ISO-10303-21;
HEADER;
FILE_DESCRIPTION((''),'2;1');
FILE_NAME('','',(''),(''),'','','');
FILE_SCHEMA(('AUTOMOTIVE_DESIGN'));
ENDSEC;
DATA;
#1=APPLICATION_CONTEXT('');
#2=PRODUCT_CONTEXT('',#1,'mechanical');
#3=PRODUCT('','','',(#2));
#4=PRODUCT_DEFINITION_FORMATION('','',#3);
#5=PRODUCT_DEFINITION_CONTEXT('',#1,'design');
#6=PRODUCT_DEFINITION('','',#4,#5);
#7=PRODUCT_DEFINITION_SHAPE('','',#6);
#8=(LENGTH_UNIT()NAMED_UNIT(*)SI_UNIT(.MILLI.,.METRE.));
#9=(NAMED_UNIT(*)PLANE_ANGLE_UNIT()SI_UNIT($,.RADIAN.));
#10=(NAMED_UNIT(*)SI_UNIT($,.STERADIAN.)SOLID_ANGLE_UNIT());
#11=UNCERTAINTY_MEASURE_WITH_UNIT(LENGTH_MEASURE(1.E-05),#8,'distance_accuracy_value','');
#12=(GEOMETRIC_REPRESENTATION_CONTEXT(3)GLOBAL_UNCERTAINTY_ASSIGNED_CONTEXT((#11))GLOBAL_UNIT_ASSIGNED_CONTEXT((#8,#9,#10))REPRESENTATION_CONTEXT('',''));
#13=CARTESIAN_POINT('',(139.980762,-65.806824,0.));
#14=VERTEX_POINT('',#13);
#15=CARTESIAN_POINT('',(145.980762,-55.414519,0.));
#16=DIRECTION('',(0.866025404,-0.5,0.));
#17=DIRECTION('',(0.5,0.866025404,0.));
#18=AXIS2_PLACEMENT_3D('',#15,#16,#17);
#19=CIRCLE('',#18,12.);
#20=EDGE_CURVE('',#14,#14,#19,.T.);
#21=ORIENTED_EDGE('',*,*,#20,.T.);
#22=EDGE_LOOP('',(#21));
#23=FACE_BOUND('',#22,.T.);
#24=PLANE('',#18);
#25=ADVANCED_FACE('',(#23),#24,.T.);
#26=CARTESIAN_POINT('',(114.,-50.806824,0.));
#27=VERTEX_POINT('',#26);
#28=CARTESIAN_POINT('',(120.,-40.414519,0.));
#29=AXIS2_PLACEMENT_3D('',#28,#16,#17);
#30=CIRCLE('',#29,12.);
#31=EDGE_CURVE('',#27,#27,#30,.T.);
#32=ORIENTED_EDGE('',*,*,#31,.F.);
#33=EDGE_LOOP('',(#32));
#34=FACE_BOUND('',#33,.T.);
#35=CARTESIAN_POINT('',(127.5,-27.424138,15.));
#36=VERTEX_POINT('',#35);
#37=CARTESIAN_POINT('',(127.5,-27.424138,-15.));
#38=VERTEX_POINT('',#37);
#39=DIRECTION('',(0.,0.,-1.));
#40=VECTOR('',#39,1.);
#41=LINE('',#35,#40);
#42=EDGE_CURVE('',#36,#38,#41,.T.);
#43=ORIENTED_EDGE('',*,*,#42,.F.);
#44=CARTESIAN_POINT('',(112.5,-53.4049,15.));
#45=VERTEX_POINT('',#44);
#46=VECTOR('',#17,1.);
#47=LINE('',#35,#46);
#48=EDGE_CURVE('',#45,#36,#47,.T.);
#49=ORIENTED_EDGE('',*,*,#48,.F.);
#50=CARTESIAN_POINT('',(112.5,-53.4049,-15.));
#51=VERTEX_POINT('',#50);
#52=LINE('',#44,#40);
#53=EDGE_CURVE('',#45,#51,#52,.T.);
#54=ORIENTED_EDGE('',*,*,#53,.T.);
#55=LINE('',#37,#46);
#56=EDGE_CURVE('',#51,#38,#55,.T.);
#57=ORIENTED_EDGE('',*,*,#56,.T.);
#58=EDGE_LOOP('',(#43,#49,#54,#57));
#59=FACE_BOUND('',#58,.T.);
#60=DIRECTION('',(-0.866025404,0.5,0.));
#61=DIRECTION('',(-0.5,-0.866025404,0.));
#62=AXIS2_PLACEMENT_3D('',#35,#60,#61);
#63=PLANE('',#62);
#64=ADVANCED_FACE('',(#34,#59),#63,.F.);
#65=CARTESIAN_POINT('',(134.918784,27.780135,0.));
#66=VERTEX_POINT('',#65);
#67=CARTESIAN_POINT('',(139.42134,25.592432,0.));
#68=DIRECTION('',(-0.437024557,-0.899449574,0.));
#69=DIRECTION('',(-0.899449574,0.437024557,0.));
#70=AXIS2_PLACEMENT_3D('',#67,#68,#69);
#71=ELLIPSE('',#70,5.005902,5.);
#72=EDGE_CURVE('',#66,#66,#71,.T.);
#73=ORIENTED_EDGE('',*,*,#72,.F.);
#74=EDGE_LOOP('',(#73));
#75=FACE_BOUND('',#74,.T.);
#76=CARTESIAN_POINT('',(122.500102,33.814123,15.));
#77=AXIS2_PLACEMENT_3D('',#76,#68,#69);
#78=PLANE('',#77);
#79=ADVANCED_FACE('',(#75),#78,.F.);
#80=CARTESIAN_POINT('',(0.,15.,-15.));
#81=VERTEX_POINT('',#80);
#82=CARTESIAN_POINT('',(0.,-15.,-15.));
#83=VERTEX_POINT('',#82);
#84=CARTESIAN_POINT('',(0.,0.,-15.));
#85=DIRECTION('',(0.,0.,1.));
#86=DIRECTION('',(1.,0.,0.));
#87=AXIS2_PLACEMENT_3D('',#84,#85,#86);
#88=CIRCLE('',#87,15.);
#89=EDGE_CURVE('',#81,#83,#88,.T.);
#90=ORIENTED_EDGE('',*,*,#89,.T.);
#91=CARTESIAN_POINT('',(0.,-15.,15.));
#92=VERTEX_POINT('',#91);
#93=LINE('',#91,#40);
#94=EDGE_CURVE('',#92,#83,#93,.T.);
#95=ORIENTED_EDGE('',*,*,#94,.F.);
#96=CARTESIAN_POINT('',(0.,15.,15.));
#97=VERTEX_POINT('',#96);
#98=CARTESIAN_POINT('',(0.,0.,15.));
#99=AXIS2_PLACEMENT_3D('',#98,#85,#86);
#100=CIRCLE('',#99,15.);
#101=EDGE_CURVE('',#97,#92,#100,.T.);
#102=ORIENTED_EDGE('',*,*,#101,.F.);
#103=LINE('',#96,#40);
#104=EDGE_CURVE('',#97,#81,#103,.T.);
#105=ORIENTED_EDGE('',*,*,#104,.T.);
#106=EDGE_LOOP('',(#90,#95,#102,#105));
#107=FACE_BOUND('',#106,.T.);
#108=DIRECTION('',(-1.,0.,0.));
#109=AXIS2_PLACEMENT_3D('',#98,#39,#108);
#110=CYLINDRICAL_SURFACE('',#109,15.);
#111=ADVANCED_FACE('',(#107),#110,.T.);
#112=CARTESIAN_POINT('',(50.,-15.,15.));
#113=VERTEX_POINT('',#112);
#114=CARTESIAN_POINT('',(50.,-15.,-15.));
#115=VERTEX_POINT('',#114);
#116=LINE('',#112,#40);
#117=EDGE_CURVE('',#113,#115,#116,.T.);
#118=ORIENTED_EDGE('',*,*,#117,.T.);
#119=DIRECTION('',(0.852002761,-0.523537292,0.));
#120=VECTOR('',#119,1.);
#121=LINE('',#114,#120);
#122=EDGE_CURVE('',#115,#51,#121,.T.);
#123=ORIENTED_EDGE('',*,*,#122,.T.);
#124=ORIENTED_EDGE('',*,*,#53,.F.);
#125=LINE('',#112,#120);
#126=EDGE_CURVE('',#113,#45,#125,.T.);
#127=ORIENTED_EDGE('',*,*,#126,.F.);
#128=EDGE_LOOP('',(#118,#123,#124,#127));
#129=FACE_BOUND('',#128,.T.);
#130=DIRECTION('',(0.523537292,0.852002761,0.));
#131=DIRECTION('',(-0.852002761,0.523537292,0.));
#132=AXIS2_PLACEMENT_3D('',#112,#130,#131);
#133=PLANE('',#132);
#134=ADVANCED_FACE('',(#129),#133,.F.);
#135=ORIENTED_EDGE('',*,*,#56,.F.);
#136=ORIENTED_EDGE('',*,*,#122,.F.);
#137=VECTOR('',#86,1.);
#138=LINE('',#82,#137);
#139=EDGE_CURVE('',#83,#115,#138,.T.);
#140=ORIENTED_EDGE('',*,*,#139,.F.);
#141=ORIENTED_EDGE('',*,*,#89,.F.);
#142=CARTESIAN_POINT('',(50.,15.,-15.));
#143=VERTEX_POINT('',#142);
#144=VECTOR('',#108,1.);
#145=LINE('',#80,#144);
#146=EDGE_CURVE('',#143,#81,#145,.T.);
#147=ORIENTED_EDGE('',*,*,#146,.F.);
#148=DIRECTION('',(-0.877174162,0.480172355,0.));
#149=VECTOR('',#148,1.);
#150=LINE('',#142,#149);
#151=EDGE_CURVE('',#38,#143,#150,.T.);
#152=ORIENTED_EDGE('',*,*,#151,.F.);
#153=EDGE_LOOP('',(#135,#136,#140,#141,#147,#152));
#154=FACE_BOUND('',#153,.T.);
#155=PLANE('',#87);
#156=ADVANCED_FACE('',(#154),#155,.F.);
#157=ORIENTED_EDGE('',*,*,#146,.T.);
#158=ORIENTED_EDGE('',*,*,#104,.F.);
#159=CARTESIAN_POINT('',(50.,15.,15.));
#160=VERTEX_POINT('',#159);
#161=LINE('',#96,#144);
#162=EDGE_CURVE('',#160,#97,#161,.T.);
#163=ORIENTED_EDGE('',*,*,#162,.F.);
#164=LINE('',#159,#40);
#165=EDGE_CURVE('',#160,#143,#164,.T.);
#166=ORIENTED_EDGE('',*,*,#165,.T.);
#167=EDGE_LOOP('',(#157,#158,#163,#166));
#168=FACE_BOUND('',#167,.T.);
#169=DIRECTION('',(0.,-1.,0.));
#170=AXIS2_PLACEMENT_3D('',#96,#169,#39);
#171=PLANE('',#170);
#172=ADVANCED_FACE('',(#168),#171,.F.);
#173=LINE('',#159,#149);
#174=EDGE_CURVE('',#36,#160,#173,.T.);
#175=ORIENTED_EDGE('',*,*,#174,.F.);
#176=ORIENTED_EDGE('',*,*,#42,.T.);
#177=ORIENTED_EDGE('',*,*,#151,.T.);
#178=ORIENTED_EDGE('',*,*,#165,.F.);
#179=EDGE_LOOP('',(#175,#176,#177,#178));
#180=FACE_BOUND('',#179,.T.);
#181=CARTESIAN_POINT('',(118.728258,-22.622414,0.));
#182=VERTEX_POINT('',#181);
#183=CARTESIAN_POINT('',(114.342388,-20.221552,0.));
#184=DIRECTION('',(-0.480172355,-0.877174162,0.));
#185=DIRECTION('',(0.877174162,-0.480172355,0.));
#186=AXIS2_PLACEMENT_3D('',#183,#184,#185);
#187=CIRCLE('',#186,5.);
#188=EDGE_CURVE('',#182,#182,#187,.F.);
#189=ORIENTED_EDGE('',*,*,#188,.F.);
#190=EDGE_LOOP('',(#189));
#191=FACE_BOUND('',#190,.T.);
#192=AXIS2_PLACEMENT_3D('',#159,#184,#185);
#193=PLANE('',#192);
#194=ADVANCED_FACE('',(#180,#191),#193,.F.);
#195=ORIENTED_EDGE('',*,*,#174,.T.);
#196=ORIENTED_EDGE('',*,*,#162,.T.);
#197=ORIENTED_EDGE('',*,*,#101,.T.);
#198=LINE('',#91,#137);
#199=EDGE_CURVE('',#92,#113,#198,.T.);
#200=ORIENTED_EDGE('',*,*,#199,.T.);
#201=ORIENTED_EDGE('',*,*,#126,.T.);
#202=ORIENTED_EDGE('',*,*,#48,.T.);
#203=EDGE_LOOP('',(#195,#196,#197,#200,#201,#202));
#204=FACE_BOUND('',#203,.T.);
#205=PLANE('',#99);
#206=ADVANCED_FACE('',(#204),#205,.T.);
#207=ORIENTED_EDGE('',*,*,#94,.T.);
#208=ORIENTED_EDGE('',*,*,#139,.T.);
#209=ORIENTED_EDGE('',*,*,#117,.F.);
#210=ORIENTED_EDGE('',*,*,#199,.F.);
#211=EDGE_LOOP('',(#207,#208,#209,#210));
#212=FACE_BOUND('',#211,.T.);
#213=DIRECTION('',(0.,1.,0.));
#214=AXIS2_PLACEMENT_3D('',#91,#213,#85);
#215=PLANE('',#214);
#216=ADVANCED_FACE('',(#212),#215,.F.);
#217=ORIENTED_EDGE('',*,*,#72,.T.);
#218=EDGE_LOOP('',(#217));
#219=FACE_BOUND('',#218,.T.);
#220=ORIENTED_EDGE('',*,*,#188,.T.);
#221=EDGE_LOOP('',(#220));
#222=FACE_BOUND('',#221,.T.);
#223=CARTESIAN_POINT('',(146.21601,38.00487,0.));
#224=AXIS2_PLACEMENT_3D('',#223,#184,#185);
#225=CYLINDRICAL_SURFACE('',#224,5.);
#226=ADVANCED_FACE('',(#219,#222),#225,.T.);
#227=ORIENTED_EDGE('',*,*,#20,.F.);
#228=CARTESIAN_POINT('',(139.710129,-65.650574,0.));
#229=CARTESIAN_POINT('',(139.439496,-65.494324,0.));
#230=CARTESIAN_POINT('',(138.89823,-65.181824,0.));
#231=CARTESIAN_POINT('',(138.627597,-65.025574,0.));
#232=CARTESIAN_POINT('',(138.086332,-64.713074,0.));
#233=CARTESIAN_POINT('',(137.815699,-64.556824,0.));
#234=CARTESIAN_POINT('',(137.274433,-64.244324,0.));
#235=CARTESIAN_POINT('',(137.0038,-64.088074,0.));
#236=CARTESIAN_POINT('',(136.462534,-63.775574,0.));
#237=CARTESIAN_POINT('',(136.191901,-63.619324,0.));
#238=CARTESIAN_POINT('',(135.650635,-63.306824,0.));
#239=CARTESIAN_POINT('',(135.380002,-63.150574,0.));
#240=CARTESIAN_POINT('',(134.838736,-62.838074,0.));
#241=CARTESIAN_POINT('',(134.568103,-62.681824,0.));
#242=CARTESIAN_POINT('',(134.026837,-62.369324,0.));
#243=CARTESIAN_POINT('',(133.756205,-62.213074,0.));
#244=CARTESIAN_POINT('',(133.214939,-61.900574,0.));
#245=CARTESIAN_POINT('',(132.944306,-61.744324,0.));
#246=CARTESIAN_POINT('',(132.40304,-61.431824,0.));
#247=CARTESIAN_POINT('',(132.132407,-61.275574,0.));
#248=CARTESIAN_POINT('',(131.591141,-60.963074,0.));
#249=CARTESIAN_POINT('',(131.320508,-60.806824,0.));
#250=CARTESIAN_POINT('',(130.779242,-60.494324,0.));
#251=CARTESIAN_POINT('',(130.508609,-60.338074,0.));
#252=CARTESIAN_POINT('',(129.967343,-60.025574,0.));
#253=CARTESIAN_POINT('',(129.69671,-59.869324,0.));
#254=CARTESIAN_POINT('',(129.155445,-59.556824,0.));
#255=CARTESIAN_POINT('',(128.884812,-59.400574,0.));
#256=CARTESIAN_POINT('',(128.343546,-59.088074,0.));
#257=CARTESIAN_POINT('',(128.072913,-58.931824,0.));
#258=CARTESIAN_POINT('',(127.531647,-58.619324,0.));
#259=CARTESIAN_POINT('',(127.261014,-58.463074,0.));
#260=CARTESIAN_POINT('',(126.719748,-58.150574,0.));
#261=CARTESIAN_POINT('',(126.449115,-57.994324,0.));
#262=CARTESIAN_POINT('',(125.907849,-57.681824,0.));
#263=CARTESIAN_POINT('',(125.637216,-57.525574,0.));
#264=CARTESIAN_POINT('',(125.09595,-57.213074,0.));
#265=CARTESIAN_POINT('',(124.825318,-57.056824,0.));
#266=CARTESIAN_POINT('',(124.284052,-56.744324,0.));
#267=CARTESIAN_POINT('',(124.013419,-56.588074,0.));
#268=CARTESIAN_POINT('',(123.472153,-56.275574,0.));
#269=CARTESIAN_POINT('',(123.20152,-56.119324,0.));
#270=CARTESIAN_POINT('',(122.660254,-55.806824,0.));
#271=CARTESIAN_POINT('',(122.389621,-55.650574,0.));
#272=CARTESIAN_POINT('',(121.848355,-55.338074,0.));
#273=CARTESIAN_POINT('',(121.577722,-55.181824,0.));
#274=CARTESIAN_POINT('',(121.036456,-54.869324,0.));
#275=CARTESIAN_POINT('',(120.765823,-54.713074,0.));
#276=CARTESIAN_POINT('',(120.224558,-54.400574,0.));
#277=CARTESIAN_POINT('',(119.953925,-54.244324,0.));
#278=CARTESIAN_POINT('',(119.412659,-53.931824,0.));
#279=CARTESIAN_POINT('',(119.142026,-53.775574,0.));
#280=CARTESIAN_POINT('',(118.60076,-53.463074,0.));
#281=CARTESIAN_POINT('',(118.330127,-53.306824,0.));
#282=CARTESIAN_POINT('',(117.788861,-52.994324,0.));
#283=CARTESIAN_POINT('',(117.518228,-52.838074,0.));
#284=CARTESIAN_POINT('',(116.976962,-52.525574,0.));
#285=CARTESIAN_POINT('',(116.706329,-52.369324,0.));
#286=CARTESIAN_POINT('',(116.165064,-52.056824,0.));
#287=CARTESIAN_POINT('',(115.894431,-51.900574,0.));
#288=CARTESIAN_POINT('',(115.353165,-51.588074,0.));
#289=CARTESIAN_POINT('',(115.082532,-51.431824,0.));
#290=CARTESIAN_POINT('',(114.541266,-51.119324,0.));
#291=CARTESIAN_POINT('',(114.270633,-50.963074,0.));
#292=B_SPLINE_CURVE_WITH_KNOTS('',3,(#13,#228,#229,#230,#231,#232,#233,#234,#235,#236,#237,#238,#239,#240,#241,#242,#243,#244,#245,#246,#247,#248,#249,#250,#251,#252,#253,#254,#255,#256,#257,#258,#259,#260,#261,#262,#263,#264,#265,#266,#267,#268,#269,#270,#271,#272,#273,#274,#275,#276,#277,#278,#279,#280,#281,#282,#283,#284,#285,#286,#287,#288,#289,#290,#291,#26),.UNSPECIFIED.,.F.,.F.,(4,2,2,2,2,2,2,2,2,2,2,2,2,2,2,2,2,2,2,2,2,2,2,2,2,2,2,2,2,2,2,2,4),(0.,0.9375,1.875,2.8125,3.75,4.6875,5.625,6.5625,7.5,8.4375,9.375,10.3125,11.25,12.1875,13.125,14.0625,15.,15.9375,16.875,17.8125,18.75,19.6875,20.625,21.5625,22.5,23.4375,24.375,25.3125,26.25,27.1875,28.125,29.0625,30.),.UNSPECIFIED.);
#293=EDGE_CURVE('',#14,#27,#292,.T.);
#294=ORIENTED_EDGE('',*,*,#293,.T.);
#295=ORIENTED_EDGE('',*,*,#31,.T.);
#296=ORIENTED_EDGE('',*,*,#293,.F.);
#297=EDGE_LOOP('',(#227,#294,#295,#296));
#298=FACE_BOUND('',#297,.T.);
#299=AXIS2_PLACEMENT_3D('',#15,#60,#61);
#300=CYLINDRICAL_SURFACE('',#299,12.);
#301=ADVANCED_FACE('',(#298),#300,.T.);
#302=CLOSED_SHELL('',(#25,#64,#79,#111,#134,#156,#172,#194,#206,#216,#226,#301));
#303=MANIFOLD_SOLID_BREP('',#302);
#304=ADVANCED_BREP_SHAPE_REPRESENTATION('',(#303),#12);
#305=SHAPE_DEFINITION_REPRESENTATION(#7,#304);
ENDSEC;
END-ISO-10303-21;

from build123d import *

# Parameters (mm, degrees)
BOSS_EXTRUDE1_DEPTH = 15
SKETCH4_R           = 12
BOSS_EXTRUDE2_DEPTH = 30
BOSS_EXTRUDE3_REACH = 169.037
SKETCH5_R           = 5


with BuildPart() as part:
    # Sketch1 → Boss-Extrude1 (new, symmetric)
    with BuildSketch(Plane.XY):
        with BuildLine():
            Line((127.5, -27.424137787), (112.5, -53.4048999))
            Line((112.5, -53.4048999), (50, -15))
            Line((50, -15), (0, -15))
            ThreePointArc((0, -15), (-15, 0), (0, 15))
            Line((0, 15), (50, 15))
            Line((50, 15), (127.5, -27.424137787))
        make_face()
    extrude(amount=BOSS_EXTRUDE1_DEPTH, both=True)

    # Sketch4 → Boss-Extrude2 (add)
    with BuildSketch(Plane(origin=(107.5, -62.065153938, 0), x_dir=(0, 0, -1), z_dir=(0.8660254037844382, -0.5000000000000008, 0))):
        with Locations(Location((0, 25, 0), (0, 0, 270))):
            Circle(SKETCH4_R)
    extrude(amount=BOSS_EXTRUDE2_DEPTH)

    # Boss-Extrude3: up to this plane
    boss_extrude3_end = Plane(origin=(122.500102159, 33.814123489, 15), z_dir=(-0.43702455737153567, -0.8994495740474913, 0))
    # Sketch5 → Boss-Extrude3 (add, up to the surface)
    with BuildSketch(Plane(origin=(17.846196254, 32.601256781, 0), x_dir=(0.877174161572964, -0.48017235475271564, 0), z_dir=(0.4801723547527156, 0.8771741615729639, 0)), mode=Mode.PRIVATE) as boss_extrude3_sk1:
        with Locations((110.008018419, 0)):
            Circle(SKETCH5_R)
    boss_extrude3_tool1 = split(extrude(boss_extrude3_sk1.sketch, amount=BOSS_EXTRUDE3_REACH, mode=Mode.PRIVATE), bisect_by=boss_extrude3_end, keep=Keep.BOTH, mode=Mode.PRIVATE)
    add(boss_extrude3_tool1.solids().sort_by_distance((114.342388, -20.221552, 0))[0])


solid = part.part
